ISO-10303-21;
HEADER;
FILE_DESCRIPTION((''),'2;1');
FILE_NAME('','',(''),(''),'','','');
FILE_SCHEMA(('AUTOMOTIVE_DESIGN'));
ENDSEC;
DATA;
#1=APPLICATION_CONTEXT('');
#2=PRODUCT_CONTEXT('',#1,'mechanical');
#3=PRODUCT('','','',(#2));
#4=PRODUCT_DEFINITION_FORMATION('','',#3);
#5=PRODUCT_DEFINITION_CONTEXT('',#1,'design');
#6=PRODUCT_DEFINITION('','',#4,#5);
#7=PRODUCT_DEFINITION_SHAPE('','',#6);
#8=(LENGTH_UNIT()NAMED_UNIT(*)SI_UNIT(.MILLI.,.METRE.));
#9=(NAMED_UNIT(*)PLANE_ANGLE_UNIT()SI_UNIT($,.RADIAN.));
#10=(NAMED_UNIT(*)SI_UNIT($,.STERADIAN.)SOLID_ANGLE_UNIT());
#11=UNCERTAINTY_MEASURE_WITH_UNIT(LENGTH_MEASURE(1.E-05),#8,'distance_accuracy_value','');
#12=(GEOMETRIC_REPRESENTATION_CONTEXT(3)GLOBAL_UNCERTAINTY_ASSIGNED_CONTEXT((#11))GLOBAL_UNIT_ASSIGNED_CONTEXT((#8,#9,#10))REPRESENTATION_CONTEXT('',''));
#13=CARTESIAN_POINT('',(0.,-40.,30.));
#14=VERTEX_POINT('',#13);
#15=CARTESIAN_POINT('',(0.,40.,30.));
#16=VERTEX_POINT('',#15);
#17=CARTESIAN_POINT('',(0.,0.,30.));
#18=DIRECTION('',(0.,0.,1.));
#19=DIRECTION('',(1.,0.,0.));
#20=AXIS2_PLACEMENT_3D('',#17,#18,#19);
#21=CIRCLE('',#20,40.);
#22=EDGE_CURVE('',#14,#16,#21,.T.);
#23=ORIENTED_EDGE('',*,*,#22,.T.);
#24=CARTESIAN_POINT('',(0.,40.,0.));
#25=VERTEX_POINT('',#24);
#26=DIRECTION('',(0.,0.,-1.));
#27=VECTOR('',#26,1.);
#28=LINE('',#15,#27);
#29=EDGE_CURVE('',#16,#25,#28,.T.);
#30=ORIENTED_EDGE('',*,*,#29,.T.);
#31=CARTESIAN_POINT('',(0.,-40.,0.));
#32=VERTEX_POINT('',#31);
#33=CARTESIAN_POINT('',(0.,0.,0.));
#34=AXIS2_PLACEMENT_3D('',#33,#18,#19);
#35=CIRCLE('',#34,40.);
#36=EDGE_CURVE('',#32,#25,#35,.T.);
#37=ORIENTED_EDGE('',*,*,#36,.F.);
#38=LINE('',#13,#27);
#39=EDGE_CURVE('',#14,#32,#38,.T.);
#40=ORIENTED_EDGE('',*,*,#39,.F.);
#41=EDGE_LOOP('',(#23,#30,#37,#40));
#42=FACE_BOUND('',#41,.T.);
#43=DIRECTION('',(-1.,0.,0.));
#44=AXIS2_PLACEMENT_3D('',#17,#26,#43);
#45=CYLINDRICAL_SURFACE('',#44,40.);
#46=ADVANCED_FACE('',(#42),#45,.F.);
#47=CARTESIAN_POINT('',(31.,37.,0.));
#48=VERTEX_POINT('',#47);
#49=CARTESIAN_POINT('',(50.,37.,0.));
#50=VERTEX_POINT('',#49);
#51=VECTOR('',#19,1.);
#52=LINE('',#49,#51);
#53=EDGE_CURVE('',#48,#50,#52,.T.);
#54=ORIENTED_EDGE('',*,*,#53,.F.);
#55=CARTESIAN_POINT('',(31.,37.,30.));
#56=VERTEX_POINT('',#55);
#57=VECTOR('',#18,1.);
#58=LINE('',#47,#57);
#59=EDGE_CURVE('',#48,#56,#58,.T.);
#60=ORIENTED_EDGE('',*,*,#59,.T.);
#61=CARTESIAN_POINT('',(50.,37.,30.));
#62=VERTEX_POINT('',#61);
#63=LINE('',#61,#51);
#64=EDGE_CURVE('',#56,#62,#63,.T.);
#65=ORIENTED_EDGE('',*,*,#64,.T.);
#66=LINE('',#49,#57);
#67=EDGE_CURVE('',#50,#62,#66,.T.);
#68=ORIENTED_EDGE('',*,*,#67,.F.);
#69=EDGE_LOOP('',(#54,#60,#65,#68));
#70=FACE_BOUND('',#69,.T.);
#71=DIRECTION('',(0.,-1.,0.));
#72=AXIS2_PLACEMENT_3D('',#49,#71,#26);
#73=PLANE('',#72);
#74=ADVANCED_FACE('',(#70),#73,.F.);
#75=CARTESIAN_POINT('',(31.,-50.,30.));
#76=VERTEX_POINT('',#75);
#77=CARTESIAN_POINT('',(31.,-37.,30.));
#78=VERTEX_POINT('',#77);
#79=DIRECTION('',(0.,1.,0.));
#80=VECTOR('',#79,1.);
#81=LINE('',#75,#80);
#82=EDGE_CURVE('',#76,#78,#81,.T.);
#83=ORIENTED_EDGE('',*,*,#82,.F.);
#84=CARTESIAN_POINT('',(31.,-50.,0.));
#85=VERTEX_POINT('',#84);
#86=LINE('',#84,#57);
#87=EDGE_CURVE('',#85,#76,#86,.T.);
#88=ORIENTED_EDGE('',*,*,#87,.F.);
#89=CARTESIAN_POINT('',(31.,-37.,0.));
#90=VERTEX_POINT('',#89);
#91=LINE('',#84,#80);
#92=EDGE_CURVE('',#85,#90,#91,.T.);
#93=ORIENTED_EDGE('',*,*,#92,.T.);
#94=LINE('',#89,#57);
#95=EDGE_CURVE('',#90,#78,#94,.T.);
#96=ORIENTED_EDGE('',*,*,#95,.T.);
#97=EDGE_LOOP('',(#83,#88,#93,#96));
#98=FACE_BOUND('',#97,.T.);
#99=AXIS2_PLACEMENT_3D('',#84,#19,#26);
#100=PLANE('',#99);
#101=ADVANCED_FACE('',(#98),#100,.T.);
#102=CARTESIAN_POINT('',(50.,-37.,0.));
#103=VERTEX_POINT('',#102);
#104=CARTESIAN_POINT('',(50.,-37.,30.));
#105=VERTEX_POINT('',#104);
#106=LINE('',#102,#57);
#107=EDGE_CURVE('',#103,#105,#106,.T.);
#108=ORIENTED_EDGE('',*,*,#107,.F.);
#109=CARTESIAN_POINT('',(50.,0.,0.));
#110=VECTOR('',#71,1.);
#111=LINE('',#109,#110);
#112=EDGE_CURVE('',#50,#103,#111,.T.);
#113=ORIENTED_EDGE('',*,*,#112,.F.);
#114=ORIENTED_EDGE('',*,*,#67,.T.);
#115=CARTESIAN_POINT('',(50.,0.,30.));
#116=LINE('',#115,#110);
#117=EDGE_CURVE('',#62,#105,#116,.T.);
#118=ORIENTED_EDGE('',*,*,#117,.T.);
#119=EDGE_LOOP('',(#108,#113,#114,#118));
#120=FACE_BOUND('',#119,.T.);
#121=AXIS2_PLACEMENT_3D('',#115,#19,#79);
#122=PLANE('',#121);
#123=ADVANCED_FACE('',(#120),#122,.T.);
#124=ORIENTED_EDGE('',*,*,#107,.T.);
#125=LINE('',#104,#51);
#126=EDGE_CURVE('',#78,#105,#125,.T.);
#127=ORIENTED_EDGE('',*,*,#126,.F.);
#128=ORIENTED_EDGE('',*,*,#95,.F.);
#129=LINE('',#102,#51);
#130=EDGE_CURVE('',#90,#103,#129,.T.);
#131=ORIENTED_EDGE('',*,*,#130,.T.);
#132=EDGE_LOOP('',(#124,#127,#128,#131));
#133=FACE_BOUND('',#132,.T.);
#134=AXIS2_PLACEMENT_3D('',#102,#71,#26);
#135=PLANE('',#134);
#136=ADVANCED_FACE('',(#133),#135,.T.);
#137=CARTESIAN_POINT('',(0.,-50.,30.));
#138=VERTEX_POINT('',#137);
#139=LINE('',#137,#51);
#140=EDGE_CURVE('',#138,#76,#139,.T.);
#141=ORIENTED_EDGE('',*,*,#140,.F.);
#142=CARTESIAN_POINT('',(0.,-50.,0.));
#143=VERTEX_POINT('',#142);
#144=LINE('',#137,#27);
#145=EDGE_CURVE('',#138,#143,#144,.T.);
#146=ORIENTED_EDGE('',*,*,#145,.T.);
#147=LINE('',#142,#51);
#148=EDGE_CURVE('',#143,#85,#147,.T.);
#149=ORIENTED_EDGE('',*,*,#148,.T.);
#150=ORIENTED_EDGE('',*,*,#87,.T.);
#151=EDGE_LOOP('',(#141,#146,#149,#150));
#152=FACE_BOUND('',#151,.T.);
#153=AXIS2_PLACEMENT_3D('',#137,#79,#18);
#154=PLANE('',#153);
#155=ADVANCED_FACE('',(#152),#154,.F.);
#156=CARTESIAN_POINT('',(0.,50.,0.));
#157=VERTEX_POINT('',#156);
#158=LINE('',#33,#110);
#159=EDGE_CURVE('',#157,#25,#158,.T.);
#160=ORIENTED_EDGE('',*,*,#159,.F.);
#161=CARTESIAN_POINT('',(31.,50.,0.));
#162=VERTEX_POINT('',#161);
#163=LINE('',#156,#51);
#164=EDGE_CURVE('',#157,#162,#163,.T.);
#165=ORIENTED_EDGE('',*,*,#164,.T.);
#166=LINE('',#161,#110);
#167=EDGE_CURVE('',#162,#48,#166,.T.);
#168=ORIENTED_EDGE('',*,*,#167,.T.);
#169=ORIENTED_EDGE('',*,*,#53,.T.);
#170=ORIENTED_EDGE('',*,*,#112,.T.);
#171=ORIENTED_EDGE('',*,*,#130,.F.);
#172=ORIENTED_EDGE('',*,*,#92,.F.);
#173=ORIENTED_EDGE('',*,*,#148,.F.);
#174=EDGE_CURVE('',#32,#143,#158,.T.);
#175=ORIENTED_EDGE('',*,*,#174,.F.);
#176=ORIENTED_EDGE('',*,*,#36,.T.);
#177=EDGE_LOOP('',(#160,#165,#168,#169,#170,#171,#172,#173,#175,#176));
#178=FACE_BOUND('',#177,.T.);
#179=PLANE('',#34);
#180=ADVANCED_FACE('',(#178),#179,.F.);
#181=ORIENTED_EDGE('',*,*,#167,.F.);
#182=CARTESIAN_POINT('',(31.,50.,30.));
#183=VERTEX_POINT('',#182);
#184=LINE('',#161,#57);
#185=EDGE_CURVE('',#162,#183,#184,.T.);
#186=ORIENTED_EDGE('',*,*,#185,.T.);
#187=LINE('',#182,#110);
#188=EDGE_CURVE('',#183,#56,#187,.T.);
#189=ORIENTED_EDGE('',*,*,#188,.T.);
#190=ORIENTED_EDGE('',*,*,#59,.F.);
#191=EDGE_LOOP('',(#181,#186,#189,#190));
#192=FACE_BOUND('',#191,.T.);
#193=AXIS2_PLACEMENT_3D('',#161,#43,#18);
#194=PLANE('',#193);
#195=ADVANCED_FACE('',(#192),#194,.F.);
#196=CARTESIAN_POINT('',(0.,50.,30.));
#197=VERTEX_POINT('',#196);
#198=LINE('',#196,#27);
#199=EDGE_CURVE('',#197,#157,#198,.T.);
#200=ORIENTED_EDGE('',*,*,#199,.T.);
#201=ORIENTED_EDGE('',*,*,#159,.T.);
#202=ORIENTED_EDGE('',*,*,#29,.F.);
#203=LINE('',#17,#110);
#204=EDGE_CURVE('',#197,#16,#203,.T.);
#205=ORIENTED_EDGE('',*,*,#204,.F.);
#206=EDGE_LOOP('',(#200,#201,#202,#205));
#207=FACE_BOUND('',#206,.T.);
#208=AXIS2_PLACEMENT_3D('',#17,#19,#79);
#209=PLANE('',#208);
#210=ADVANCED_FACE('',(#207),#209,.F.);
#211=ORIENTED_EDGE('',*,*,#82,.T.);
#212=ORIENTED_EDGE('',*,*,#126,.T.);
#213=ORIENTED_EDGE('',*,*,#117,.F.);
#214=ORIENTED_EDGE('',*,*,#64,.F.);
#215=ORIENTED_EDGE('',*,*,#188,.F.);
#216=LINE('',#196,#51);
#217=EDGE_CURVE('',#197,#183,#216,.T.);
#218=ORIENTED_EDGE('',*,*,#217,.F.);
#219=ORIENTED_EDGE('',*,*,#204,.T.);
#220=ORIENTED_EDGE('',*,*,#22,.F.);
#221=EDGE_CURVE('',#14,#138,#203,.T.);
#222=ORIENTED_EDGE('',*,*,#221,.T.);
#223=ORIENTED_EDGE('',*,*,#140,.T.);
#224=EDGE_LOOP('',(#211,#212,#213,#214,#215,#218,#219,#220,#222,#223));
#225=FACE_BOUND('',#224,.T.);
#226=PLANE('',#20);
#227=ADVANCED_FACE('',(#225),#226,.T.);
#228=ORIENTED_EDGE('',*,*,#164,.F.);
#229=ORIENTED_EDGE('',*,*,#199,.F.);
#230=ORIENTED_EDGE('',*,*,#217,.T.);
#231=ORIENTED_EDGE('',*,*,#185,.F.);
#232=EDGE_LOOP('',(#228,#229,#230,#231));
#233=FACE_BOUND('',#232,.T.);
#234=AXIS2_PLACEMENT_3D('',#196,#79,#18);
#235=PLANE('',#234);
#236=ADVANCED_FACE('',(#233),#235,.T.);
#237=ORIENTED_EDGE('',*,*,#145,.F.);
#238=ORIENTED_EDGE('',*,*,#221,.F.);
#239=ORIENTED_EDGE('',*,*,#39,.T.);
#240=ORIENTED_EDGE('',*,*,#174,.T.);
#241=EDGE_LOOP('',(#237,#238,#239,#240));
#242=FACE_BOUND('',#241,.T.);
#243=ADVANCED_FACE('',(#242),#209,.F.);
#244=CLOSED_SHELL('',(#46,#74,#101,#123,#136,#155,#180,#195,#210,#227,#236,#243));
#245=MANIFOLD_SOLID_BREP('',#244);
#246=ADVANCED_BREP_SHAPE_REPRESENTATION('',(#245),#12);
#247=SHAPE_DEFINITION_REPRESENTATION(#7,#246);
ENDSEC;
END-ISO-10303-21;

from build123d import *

# Parameters (mm, degrees)
EXTRUDE_1_DEPTH     = 30
SKETCH_2_W          = 19
SKETCH_2_H          = 13
CUT_EXTRUDE_1_DEPTH = 77.811457479


with BuildPart() as part:
    # Эскиз1 → Бобышка-Вытянуть1 (new body)
    with BuildSketch(Plane.XY):
        with BuildLine():
            Line((50, 50), (0, 50))
            Line((0, 50), (0, 40))
            ThreePointArc((0, 40), (28.284271247, 28.284271247), (40, 0))
            ThreePointArc((40, 0), (28.284271247, -28.284271247), (0, -40))
            Line((0, -40), (0, -50))
            Line((0, -50), (50, -50))
            Line((50, -50), (50, 50))
        make_face()
    extrude(amount=EXTRUDE_1_DEPTH)

    # Эскиз2 → Вырез-Вытянуть1 (cut, through all)
    with BuildSketch(Plane.XY.offset(30)):
        with Locations((40.5, 43.5)):
            Rectangle(SKETCH_2_W, SKETCH_2_H)
    cut_extrude_1 = extrude(amount=-CUT_EXTRUDE_1_DEPTH, mode=Mode.SUBTRACT)

    # Зеркальное отражение1: Вырез-Вытянуть1 across plane
    add(cut_extrude_1.mirror(Plane.ZX), mode=Mode.SUBTRACT)


solid = part.part
